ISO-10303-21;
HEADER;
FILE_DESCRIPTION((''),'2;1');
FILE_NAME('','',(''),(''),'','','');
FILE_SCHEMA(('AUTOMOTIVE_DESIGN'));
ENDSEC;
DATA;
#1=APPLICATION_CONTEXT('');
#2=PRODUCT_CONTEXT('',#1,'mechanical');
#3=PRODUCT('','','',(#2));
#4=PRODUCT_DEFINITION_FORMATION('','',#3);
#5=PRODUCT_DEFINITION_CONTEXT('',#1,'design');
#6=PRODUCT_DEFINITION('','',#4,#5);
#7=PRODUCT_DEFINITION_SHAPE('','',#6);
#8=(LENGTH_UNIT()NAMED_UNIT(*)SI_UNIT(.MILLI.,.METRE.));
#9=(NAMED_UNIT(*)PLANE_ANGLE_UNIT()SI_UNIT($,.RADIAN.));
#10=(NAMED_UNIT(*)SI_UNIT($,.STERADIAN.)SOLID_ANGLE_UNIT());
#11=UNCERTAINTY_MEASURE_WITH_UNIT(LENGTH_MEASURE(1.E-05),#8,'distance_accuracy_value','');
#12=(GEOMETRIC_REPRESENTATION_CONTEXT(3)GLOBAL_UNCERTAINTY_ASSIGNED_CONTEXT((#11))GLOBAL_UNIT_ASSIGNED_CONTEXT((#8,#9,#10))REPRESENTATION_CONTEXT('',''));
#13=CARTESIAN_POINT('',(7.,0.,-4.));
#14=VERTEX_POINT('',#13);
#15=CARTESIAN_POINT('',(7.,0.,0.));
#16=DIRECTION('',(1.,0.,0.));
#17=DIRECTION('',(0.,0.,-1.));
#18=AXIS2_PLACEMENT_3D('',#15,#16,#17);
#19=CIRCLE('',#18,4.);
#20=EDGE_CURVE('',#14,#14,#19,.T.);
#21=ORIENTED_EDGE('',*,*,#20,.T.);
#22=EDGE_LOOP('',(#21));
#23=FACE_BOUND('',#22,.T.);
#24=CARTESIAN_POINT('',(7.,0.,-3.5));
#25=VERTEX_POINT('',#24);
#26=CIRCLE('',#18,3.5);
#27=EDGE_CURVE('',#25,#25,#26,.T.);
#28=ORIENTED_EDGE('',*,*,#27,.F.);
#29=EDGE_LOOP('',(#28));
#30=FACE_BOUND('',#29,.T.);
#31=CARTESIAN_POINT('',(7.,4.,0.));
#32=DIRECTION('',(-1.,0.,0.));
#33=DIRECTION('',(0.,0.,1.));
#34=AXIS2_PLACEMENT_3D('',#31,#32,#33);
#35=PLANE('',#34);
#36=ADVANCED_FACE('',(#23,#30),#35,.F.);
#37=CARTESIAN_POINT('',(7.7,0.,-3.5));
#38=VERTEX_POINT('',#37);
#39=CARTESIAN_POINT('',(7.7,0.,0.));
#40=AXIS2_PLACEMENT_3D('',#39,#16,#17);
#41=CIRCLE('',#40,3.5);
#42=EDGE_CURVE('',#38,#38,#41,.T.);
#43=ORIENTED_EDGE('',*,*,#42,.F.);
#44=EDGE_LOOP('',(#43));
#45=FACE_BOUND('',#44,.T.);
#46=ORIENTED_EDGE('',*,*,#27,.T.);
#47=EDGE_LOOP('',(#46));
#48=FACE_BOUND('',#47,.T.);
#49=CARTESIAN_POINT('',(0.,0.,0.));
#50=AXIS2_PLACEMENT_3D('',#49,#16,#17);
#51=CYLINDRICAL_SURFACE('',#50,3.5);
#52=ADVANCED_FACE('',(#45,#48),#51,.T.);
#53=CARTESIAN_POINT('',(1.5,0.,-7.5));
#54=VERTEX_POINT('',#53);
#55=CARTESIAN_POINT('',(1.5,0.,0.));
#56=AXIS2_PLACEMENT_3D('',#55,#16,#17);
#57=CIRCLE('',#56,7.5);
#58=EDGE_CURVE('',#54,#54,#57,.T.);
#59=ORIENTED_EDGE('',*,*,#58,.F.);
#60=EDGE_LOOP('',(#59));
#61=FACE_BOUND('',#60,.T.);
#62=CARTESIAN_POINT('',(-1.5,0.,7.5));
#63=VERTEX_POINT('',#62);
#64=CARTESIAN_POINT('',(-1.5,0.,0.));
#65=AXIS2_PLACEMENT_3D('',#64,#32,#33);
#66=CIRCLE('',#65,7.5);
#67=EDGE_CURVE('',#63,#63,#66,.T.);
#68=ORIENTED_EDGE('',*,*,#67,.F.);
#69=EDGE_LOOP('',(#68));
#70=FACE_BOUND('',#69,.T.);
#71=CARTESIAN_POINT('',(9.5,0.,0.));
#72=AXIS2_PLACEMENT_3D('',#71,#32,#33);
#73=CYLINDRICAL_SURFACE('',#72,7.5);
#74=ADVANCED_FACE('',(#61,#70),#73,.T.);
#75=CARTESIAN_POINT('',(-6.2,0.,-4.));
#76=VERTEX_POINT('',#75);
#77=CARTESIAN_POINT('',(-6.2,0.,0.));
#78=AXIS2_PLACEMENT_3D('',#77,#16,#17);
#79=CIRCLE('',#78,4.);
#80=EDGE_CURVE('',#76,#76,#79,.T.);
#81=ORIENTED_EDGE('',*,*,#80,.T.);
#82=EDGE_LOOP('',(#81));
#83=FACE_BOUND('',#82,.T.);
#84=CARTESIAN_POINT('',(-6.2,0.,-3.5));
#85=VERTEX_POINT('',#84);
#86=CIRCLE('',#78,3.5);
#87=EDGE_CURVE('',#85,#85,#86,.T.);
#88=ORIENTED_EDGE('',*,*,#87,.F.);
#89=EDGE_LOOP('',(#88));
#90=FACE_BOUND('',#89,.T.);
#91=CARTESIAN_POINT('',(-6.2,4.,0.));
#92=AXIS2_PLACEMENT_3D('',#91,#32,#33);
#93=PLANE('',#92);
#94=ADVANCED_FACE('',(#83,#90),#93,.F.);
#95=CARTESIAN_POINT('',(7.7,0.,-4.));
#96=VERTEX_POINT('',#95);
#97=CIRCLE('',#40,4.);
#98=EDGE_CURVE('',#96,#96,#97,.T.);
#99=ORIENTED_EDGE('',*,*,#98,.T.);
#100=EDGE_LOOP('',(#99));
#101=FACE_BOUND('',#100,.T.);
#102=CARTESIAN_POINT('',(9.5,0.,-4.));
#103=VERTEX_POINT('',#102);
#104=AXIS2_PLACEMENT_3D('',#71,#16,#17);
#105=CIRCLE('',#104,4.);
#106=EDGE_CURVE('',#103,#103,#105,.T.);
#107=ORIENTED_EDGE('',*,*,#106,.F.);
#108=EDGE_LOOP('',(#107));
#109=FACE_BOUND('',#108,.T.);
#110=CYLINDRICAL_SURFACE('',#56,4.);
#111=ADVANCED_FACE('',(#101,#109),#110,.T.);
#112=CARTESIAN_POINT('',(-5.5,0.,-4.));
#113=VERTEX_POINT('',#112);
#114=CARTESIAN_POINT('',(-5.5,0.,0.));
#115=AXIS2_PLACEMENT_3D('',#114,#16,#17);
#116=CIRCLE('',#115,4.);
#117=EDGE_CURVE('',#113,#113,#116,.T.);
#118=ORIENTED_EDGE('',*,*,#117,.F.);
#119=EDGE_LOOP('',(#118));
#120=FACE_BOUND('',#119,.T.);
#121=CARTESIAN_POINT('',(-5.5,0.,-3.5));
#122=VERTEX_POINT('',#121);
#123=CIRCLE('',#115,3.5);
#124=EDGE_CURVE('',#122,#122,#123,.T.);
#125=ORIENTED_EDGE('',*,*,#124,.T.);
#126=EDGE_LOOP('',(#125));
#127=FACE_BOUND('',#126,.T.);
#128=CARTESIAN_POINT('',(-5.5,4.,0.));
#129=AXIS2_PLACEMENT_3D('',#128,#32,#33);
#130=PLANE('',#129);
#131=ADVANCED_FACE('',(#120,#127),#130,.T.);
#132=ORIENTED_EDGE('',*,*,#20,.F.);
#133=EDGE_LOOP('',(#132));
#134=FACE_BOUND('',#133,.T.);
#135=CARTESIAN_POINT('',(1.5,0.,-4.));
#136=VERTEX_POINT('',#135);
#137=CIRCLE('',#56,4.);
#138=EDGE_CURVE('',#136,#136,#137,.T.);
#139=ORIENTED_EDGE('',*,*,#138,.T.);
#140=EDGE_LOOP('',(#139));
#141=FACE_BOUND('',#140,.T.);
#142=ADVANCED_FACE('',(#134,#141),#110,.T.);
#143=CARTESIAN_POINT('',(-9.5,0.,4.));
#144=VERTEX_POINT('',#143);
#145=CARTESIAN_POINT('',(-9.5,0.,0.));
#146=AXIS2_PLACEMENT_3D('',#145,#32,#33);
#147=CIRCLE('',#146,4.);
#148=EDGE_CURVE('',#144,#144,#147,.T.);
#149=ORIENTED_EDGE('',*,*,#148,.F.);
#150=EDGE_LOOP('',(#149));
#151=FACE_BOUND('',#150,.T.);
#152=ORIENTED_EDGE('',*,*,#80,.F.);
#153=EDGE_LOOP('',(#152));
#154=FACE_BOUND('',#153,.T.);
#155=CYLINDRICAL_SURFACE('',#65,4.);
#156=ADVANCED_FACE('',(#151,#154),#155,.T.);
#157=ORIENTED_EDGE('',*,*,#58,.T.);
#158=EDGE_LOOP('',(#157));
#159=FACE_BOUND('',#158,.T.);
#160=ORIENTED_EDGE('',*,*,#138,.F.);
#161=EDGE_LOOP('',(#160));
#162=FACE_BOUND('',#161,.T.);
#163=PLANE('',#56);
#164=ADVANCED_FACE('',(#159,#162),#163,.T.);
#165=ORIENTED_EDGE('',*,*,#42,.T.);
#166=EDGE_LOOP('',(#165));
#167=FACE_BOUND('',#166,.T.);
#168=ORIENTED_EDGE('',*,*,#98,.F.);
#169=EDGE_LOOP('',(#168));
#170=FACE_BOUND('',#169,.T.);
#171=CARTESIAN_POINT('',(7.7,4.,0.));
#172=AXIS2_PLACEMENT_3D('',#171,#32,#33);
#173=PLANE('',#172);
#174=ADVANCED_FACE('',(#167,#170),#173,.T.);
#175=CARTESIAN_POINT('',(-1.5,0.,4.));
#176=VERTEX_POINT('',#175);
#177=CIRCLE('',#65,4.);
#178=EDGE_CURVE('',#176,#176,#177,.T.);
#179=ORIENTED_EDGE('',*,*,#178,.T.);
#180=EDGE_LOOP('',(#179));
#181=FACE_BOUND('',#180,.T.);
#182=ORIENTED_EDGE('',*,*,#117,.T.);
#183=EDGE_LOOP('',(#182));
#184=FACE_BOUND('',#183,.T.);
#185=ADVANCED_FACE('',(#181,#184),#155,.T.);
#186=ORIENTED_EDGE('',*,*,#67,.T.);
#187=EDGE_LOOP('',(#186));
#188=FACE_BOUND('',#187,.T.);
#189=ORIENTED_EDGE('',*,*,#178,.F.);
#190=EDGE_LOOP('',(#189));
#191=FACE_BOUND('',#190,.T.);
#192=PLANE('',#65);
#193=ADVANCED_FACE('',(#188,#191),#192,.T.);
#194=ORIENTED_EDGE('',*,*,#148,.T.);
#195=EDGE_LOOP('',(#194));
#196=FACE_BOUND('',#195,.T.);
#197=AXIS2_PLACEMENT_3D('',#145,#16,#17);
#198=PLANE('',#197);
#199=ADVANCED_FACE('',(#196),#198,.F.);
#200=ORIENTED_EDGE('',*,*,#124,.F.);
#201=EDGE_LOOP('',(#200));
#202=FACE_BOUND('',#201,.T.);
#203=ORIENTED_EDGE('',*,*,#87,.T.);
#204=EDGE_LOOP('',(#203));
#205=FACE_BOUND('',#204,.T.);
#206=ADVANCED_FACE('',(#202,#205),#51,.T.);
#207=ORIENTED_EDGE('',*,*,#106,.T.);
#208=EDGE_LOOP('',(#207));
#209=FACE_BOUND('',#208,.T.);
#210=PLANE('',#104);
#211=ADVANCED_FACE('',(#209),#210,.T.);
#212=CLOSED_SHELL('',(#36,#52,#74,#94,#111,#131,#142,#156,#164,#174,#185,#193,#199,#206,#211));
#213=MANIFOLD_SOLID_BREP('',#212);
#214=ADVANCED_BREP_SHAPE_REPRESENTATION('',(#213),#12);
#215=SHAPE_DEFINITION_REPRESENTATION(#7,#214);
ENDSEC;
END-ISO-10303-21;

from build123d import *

# Parameters (mm, degrees)
SCHIZZO1_R                   = 7.5
ESTRUSIONE_ESTRUSIONE1_DEPTH = 9.5
SCHIZZO3_R                   = 7.5
SCHIZZO3_R_2                 = 4
TAGLIO_ESTRUSIONE1_DEPTH     = 8
TAGLIO_ESTRUSIONE2_START     = -8
SCHIZZO5_R                   = 7.5
SCHIZZO5_R_2                 = 4
TAGLIO_ESTRUSIONE2_DEPTH     = 8
SCHIZZO4_W                   = 0.7
SCHIZZO4_H                   = 0.5


with BuildPart() as part:
    # Schizzo1 → Estrusione-Estrusione1 (new, symmetric)
    with BuildSketch(Plane(origin=(0, 0, 0), x_dir=(0, 0, -1), z_dir=(1, 0, 0))):
        Circle(SCHIZZO1_R)
    extrude(amount=ESTRUSIONE_ESTRUSIONE1_DEPTH, both=True)

    # Schizzo3 → Taglio-Estrusione1 (cut)
    with BuildSketch(Plane(origin=(9.5, 0, 0), x_dir=(0, 0, -1), z_dir=(1, 0, 0))):
        Circle(SCHIZZO3_R)
        Circle(SCHIZZO3_R_2, mode=Mode.SUBTRACT)
    extrude(amount=-TAGLIO_ESTRUSIONE1_DEPTH, mode=Mode.SUBTRACT)

    # Schizzo5 → Taglio-Estrusione2 (cut)
    with BuildSketch(Plane.ZY.offset(9.5).offset(TAGLIO_ESTRUSIONE2_START)):
        Circle(SCHIZZO5_R)
        with Locations(Location((0, 0, 0), (0, 0, 180))):
            Circle(SCHIZZO5_R_2, mode=Mode.SUBTRACT)
    extrude(amount=TAGLIO_ESTRUSIONE2_DEPTH, mode=Mode.SUBTRACT)

    # Schizzo4 → Taglia-Rivoluzione1 (revolve, cut)
    with BuildSketch(Plane.XY, mode=Mode.PRIVATE) as taglia_rivoluzione1_sk:
        with Locations((7.35, 3.75)):
            Rectangle(SCHIZZO4_W, SCHIZZO4_H)
        with Locations((-5.85, 3.75)):
            Rectangle(SCHIZZO4_W, SCHIZZO4_H)
    revolve(taglia_rivoluzione1_sk.sketch.rotate(Axis((0, 0, 0), (-1, 0, 0)), 90), axis=Axis((0, 0, 0), (-1, 0, 0)), mode=Mode.SUBTRACT)


solid = part.part
